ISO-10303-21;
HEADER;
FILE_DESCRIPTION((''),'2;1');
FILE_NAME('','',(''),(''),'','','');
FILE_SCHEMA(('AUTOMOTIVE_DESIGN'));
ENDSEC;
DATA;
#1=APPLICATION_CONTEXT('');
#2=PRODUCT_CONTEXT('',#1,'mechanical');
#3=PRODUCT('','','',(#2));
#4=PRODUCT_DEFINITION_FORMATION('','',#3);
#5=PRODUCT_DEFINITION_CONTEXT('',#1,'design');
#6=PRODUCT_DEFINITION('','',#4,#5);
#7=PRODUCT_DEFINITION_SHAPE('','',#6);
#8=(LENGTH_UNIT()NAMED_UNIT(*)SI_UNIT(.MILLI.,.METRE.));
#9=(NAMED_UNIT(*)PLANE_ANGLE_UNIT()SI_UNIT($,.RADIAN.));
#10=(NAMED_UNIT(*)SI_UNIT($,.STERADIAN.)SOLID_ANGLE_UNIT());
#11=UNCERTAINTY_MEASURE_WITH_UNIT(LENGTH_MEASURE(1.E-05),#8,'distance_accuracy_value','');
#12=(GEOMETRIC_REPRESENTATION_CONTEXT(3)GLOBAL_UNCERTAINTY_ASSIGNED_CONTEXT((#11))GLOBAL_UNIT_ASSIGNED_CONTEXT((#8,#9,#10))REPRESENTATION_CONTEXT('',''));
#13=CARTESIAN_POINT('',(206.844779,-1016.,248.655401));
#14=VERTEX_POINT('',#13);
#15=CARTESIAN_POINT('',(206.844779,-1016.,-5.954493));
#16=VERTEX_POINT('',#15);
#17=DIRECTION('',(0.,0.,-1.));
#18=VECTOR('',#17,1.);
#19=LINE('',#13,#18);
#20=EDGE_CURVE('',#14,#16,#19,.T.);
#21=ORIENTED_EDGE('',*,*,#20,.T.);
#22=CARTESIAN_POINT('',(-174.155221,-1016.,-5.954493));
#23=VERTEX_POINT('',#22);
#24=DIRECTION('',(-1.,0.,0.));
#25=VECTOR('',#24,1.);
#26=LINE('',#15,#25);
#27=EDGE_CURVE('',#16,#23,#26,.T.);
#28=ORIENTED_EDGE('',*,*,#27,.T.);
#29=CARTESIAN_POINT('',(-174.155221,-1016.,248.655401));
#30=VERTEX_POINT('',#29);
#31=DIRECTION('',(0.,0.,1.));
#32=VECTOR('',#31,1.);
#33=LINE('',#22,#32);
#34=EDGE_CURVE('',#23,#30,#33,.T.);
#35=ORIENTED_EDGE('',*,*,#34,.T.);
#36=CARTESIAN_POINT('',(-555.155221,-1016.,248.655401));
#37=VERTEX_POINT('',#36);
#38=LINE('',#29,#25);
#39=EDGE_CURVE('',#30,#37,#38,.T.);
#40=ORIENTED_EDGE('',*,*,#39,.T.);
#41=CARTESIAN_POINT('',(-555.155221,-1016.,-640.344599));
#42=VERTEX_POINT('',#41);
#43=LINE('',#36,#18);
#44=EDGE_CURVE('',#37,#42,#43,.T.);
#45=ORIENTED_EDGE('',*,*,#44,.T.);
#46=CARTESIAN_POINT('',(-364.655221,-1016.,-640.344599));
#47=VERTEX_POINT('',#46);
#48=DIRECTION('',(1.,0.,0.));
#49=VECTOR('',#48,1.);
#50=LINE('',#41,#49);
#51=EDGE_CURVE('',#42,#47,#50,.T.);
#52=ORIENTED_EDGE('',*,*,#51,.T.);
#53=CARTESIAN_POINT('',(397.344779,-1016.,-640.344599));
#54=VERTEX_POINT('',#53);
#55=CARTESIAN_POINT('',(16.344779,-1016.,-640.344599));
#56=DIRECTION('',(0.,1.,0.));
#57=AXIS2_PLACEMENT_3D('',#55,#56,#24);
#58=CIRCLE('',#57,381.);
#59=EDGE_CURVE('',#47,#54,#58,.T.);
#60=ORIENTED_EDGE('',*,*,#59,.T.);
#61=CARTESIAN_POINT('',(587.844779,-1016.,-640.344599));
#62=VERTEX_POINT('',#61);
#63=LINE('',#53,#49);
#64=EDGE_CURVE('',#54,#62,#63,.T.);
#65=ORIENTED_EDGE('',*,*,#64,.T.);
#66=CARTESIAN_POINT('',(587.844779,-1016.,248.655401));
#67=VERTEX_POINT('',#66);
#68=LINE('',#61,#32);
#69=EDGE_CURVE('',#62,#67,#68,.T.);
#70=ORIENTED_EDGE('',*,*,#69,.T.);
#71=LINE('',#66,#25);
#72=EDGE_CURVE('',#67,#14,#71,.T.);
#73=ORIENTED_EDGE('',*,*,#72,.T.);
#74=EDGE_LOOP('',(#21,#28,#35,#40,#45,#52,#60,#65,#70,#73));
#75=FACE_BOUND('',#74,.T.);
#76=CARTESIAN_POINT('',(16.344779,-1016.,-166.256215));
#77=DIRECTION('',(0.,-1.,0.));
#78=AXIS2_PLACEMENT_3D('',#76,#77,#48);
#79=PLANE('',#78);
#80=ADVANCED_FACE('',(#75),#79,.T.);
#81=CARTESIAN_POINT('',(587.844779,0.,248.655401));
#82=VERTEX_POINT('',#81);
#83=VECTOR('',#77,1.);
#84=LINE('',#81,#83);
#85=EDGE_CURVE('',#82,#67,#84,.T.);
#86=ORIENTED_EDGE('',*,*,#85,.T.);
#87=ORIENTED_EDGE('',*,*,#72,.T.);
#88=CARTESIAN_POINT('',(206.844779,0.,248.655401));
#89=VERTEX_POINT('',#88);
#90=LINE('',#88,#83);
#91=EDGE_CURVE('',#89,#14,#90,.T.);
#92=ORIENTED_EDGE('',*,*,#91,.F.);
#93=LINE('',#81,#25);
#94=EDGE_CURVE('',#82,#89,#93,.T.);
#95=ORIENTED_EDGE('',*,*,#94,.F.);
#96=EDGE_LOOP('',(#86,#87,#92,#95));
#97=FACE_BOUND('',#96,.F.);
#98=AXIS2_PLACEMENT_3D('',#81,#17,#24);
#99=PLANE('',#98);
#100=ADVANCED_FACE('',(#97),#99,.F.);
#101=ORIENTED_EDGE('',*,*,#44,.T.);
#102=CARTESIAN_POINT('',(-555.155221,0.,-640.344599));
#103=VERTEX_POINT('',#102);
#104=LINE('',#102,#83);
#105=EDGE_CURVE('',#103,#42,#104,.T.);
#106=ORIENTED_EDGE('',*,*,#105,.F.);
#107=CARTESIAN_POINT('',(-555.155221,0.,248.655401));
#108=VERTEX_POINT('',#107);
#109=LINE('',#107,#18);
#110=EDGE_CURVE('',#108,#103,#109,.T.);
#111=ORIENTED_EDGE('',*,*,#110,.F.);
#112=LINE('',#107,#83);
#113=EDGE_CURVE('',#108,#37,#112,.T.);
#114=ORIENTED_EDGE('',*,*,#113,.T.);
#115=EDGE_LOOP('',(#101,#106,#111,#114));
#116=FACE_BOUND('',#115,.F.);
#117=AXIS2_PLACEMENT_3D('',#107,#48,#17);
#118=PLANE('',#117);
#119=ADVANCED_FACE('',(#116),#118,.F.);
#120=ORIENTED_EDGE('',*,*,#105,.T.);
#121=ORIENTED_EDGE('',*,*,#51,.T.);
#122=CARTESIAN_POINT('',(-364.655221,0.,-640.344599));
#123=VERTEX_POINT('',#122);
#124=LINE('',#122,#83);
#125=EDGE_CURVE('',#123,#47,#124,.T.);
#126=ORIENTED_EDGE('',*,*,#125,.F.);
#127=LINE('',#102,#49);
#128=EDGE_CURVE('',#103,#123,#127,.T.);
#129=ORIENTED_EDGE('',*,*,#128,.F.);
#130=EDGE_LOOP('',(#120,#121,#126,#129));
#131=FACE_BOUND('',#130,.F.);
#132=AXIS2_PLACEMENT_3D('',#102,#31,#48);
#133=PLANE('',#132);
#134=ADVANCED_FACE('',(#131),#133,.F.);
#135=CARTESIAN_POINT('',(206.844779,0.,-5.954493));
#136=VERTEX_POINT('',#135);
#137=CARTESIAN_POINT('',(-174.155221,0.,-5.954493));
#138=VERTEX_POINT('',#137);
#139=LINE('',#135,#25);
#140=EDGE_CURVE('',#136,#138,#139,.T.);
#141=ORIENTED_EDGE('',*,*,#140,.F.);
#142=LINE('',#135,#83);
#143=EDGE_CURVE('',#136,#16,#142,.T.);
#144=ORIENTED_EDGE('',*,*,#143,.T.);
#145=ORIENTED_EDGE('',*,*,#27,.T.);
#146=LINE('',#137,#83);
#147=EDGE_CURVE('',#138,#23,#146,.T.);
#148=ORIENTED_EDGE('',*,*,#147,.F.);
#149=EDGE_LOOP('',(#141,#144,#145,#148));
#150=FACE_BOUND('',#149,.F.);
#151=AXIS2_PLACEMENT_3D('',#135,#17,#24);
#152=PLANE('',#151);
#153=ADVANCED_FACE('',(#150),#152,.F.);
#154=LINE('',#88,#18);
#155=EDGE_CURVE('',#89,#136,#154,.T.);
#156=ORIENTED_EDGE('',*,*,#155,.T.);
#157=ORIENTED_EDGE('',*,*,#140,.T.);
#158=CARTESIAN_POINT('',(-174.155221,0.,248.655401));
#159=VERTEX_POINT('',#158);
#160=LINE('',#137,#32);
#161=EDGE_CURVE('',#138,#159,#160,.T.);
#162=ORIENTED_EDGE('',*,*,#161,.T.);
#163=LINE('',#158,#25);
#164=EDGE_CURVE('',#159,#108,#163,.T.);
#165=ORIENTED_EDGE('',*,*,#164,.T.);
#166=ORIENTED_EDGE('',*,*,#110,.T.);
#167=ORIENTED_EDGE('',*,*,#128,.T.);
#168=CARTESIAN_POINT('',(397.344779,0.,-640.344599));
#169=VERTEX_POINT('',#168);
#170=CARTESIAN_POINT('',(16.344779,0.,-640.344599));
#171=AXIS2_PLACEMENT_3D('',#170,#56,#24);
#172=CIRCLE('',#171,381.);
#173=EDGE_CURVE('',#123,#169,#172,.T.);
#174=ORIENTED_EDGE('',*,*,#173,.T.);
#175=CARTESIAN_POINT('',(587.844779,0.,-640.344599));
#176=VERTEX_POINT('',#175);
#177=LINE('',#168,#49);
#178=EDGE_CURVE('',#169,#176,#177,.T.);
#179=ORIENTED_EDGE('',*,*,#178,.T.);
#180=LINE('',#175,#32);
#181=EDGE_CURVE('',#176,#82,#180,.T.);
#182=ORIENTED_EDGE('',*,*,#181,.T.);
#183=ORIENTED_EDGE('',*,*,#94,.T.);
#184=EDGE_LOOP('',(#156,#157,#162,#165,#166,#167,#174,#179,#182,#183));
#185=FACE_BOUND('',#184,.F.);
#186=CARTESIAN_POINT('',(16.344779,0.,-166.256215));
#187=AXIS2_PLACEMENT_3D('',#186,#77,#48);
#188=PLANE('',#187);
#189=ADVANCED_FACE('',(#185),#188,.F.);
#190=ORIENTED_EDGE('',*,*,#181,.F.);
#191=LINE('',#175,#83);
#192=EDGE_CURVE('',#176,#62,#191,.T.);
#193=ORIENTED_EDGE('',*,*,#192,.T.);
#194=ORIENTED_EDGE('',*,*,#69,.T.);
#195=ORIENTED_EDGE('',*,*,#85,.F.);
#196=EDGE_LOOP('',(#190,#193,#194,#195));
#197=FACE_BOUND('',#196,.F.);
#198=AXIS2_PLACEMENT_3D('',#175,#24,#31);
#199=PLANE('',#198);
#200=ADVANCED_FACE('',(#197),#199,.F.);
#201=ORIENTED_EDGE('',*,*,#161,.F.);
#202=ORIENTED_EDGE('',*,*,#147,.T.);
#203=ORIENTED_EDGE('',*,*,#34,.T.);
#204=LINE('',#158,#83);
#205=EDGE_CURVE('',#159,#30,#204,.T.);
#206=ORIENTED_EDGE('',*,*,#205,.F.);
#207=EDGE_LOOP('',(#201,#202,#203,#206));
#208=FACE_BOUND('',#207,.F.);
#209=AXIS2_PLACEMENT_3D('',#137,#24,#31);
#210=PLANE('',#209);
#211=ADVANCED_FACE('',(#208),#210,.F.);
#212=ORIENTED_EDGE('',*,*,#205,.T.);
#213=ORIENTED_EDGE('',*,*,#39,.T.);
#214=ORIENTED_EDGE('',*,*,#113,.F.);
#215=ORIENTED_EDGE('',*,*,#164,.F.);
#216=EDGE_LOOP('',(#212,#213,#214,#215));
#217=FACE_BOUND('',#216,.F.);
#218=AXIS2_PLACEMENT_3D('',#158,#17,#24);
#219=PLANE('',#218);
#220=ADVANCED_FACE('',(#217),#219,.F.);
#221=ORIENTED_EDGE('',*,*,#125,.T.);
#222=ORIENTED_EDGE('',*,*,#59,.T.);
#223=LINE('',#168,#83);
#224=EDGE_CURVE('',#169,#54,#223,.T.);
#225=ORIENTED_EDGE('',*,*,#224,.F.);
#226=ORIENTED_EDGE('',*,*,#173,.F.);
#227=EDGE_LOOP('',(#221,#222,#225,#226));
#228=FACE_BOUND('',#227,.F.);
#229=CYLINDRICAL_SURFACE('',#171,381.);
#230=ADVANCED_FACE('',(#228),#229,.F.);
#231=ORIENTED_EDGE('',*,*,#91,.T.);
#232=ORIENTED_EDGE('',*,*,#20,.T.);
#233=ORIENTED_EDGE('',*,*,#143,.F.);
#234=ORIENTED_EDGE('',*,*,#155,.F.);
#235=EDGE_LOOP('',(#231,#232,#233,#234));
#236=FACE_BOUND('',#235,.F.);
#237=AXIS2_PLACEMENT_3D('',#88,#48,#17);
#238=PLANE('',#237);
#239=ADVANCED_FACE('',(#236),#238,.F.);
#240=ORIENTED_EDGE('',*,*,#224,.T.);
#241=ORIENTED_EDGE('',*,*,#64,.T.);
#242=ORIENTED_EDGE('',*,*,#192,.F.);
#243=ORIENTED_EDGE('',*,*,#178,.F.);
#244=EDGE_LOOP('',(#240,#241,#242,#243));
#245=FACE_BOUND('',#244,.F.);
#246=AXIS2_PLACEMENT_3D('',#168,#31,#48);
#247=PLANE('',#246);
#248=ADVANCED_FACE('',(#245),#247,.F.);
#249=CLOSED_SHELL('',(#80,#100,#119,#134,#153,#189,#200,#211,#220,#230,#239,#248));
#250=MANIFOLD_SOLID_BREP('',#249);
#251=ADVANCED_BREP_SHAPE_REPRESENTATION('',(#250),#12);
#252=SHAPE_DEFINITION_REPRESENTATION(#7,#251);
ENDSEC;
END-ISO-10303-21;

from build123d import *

# Parameters (mm, degrees)
F1_DEPTH = 1016


with BuildPart() as f1:
    # F0 (on Front) → F1 (new body)
    with BuildSketch(Plane.XZ):
        with BuildLine():
            Line((-174.155221, 248.655401), (-555.155221, 248.655401))
            Line((-555.155221, 248.655401), (-555.155221, -640.344599))
            Line((-555.155221, -640.344599), (-364.655221, -640.344599))
            ThreePointArc((-364.655221, -640.344599), (16.344779, -259.344599), (397.344779, -640.344599))
            Line((397.344779, -640.344599), (587.844779, -640.344599))
            Line((587.844779, -640.344599), (587.844779, 248.655401))
            Line((587.844779, 248.655401), (206.844779, 248.655401))
            Line((206.844779, 248.655401), (206.844779, -5.954493))
            Line((206.844779, -5.954493), (-174.155221, -5.954493))
            Line((-174.155221, -5.954493), (-174.155221, 248.655401))
        make_face()
    extrude(amount=F1_DEPTH)


solid = f1.part
